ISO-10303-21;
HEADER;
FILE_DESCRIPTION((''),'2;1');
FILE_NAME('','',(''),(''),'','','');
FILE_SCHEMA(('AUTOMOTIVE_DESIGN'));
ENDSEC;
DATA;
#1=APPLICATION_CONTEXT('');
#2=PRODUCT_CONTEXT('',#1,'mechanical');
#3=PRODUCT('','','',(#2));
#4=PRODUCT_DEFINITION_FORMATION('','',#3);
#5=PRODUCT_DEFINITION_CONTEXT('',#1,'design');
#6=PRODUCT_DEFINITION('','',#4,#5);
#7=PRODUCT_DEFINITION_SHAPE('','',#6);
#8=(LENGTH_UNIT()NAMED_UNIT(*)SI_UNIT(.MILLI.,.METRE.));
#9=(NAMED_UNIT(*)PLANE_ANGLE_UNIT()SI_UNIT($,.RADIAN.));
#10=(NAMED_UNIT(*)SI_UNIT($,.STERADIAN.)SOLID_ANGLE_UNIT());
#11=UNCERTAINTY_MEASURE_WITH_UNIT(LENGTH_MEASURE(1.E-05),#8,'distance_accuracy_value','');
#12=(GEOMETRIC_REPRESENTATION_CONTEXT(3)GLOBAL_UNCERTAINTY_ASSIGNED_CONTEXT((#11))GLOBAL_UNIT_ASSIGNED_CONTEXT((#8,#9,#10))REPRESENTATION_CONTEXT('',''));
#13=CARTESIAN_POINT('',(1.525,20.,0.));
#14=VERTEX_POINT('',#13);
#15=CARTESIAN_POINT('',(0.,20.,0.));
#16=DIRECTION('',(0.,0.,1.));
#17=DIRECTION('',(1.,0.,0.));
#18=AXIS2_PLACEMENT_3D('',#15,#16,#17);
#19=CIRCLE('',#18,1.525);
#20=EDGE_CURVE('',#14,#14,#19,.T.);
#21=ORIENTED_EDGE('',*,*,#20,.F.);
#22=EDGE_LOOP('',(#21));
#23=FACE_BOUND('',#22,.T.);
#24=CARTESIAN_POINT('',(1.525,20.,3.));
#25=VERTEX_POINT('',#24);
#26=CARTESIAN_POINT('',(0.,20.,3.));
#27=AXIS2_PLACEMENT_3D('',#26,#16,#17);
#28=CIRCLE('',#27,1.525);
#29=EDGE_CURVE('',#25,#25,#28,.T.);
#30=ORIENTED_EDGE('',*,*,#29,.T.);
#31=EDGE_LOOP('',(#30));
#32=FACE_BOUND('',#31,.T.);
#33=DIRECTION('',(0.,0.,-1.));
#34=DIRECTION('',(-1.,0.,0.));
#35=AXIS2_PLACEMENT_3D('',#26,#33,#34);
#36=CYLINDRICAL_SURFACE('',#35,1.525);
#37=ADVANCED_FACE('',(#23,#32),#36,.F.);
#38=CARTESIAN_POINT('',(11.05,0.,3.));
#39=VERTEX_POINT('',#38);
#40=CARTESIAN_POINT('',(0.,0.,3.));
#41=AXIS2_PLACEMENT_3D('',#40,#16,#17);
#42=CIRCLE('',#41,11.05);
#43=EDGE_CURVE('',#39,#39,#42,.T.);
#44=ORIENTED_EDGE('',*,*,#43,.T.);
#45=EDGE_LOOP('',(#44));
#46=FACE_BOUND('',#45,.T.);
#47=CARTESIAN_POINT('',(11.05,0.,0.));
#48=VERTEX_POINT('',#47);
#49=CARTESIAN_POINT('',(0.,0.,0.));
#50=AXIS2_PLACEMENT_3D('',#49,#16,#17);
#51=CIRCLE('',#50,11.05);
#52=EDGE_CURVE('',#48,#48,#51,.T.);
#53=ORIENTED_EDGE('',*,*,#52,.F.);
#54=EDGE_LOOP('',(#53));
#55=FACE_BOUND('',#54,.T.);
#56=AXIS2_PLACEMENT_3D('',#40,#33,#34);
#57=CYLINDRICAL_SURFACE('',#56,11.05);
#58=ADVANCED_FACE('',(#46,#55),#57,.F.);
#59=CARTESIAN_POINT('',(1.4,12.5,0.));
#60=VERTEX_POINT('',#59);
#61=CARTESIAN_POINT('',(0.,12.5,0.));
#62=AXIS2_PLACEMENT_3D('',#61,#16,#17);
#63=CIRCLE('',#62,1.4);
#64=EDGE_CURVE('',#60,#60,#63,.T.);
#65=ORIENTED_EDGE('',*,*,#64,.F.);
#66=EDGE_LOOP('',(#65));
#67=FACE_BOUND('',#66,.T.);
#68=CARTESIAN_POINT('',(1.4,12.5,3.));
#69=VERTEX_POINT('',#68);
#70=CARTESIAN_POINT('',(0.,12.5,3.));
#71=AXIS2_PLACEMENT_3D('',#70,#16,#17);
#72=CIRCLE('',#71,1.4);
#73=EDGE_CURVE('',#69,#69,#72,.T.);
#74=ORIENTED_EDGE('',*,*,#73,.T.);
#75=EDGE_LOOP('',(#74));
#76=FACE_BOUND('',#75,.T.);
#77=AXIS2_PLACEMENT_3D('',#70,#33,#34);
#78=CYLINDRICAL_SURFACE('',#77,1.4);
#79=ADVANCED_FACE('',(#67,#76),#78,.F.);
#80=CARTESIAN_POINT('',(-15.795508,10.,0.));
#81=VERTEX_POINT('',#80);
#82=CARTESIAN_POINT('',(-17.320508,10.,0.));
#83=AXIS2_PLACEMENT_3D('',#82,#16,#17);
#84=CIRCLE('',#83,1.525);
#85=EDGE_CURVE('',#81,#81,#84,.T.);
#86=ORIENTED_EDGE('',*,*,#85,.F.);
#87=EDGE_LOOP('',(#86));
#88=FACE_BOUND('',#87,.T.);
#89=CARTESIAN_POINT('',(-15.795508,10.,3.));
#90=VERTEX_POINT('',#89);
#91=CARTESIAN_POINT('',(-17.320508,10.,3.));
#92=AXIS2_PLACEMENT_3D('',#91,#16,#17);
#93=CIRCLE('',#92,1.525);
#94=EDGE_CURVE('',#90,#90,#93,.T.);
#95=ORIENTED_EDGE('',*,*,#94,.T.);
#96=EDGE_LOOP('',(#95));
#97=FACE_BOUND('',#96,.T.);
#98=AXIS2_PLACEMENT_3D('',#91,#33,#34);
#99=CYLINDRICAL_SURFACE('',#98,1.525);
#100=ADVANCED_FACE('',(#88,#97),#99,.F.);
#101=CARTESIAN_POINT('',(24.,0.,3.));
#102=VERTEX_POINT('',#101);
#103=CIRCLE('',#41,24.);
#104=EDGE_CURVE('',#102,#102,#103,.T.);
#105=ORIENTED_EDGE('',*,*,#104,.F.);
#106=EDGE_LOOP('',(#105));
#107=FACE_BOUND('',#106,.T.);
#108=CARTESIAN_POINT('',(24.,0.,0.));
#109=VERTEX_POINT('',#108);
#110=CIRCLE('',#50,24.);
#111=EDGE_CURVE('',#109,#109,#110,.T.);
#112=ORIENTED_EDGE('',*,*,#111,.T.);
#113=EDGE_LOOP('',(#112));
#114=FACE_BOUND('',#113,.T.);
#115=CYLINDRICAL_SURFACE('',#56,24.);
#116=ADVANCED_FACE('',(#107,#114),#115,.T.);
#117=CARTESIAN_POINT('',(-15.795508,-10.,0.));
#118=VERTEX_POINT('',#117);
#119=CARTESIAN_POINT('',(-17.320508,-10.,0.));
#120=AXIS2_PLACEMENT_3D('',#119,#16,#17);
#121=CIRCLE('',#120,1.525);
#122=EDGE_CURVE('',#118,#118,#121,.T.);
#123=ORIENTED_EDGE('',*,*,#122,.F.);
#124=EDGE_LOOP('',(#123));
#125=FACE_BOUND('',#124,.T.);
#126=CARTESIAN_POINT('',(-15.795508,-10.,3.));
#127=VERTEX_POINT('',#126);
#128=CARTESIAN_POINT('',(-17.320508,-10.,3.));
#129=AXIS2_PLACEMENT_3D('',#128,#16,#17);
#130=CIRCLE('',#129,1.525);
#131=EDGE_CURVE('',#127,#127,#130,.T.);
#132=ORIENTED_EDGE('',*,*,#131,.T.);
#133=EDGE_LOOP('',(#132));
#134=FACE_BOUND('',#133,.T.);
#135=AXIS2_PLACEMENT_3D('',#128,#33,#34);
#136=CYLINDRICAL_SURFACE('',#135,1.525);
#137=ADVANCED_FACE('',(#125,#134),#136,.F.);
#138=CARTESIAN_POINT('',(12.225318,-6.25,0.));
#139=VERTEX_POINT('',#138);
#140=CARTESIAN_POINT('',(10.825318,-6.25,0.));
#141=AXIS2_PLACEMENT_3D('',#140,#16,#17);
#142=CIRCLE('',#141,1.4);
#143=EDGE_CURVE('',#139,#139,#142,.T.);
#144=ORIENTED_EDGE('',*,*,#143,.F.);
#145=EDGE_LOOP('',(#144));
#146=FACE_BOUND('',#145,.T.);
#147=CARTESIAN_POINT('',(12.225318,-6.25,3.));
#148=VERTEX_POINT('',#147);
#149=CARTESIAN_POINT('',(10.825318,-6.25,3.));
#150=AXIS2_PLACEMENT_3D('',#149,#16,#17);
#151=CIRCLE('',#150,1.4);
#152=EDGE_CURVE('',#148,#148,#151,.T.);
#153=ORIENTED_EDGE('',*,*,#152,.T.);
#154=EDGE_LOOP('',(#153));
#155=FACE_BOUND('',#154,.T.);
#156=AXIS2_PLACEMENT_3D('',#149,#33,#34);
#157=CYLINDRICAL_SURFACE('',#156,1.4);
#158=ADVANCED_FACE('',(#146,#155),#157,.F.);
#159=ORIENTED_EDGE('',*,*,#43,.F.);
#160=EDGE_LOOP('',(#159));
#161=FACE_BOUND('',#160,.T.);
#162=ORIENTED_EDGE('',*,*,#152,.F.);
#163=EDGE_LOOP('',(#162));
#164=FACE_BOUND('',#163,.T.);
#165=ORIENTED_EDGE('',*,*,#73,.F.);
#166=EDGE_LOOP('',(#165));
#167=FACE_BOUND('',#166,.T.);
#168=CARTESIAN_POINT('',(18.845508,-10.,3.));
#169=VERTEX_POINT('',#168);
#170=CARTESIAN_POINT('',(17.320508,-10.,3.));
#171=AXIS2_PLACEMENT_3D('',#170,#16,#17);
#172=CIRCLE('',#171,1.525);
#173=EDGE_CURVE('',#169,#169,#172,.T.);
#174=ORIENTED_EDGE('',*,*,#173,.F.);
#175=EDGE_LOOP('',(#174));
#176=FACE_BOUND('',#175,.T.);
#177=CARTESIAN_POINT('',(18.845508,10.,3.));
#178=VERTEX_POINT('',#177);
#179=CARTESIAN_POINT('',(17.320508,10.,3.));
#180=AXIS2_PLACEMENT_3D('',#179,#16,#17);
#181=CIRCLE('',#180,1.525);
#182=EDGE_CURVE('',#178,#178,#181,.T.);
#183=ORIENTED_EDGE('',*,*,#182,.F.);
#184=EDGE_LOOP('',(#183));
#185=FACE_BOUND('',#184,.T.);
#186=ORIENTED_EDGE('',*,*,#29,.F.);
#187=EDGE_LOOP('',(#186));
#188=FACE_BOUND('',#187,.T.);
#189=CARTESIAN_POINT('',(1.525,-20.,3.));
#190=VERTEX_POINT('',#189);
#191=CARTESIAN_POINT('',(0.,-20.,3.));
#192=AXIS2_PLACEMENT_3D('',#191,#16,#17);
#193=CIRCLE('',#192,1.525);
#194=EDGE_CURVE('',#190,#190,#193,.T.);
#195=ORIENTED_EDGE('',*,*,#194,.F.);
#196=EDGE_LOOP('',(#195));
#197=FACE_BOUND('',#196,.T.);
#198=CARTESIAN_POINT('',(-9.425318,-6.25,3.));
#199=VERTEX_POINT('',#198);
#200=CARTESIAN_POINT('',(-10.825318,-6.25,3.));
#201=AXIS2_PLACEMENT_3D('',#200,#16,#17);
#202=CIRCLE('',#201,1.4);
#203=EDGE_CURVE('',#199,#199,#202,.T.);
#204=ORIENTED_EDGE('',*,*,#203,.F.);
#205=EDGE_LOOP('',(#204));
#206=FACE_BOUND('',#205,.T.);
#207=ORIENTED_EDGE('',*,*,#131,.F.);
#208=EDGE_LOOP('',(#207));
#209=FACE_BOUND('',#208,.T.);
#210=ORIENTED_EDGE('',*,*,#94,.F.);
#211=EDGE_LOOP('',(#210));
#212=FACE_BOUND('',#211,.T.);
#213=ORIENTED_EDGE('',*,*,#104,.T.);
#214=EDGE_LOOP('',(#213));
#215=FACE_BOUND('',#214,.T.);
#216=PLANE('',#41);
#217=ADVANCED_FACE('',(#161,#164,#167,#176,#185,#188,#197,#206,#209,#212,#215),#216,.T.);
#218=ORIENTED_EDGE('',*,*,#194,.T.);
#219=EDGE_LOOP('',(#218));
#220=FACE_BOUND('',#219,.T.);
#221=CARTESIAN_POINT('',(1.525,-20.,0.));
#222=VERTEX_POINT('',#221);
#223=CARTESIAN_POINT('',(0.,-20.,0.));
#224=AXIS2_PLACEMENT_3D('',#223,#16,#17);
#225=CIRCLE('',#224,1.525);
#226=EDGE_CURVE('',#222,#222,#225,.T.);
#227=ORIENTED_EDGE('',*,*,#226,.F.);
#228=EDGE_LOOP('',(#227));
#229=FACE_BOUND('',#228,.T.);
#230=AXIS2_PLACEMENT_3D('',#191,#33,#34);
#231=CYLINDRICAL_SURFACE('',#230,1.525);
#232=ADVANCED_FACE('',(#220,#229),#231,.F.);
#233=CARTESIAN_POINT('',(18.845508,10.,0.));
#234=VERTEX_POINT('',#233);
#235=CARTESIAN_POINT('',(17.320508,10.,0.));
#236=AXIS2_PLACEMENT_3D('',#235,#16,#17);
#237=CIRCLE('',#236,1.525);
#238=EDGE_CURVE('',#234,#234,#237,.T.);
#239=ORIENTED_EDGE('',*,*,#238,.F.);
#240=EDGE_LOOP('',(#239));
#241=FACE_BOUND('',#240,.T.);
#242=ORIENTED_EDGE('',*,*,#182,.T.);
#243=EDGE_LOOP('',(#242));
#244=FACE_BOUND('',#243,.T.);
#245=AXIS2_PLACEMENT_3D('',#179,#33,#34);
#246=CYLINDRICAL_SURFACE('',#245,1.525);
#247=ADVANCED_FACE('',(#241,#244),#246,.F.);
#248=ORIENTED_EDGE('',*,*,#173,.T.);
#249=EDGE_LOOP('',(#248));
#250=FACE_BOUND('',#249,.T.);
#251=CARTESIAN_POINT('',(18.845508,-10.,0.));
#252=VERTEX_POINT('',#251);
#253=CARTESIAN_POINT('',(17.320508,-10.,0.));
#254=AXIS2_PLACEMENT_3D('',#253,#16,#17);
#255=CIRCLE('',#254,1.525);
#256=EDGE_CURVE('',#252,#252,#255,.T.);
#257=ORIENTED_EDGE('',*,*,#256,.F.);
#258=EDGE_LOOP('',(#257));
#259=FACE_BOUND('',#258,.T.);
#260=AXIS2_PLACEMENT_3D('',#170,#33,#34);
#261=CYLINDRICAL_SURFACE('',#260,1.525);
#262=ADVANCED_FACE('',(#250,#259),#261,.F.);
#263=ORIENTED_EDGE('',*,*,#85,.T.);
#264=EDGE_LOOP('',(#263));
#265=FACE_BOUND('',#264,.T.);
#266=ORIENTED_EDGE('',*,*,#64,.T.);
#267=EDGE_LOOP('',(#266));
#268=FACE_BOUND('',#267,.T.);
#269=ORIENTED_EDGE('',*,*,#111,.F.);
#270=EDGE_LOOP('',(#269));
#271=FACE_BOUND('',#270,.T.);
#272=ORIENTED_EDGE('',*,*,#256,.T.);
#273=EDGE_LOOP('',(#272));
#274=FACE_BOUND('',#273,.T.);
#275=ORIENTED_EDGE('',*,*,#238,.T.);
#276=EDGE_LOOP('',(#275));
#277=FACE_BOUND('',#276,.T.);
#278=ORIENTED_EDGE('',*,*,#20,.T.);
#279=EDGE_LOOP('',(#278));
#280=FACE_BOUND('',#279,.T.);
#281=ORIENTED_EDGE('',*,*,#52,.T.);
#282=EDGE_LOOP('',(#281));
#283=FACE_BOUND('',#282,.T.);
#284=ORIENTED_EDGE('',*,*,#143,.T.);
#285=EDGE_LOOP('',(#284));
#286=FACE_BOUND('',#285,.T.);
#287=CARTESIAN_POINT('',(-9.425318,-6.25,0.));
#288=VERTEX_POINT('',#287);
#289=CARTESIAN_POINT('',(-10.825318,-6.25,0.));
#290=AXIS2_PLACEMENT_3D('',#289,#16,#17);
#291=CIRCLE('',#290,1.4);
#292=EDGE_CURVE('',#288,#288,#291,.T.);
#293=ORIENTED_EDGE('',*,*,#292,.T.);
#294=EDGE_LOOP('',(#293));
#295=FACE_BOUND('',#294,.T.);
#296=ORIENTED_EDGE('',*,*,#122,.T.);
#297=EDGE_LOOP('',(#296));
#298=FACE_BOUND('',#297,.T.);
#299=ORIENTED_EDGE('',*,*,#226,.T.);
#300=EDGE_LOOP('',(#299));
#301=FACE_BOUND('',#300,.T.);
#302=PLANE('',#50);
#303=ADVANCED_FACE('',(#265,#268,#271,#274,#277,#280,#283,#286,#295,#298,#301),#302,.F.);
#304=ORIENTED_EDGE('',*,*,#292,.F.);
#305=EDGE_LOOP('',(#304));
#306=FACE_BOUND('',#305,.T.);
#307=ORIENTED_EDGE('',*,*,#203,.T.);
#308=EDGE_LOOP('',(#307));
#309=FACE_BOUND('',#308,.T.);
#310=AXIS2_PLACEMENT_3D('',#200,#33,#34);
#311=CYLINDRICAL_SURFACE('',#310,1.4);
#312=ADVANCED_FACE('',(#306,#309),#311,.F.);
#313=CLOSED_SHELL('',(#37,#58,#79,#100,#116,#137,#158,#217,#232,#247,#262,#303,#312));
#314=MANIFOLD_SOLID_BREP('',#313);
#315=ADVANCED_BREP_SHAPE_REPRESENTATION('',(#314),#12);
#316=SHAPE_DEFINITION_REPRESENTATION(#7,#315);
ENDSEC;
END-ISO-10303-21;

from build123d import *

# Parameters (mm, degrees)
SKETCH_1_R      = 24
SKETCH_1_R_2    = 11.05
SKETCH_1_R_3    = 1.525
SKETCH_1_R_4    = 1.4
EXTRUDE_1_DEPTH = 3


with BuildPart() as part:
    # 草图1 → 凸台-拉伸1 (new body)
    with BuildSketch(Plane.XY):
        Circle(SKETCH_1_R)
        Circle(SKETCH_1_R_2, mode=Mode.SUBTRACT)
        with Locations((0, 20)):
            Circle(SKETCH_1_R_3, mode=Mode.SUBTRACT)
        with Locations((17.320508076, 10)):
            Circle(SKETCH_1_R_3, mode=Mode.SUBTRACT)
        with Locations((17.320508076, -10)):
            Circle(SKETCH_1_R_3, mode=Mode.SUBTRACT)
        with Locations((0, -20)):
            Circle(SKETCH_1_R_3, mode=Mode.SUBTRACT)
        with Locations((-17.320508076, -10)):
            Circle(SKETCH_1_R_3, mode=Mode.SUBTRACT)
        with Locations((-17.320508076, 10)):
            Circle(SKETCH_1_R_3, mode=Mode.SUBTRACT)
        with Locations((0, 12.5)):
            Circle(SKETCH_1_R_4, mode=Mode.SUBTRACT)
        with Locations((10.825317547, -6.25)):
            Circle(SKETCH_1_R_4, mode=Mode.SUBTRACT)
        with Locations((-10.825317547, -6.25)):
            Circle(SKETCH_1_R_4, mode=Mode.SUBTRACT)
    extrude(amount=EXTRUDE_1_DEPTH)


solid = part.part
